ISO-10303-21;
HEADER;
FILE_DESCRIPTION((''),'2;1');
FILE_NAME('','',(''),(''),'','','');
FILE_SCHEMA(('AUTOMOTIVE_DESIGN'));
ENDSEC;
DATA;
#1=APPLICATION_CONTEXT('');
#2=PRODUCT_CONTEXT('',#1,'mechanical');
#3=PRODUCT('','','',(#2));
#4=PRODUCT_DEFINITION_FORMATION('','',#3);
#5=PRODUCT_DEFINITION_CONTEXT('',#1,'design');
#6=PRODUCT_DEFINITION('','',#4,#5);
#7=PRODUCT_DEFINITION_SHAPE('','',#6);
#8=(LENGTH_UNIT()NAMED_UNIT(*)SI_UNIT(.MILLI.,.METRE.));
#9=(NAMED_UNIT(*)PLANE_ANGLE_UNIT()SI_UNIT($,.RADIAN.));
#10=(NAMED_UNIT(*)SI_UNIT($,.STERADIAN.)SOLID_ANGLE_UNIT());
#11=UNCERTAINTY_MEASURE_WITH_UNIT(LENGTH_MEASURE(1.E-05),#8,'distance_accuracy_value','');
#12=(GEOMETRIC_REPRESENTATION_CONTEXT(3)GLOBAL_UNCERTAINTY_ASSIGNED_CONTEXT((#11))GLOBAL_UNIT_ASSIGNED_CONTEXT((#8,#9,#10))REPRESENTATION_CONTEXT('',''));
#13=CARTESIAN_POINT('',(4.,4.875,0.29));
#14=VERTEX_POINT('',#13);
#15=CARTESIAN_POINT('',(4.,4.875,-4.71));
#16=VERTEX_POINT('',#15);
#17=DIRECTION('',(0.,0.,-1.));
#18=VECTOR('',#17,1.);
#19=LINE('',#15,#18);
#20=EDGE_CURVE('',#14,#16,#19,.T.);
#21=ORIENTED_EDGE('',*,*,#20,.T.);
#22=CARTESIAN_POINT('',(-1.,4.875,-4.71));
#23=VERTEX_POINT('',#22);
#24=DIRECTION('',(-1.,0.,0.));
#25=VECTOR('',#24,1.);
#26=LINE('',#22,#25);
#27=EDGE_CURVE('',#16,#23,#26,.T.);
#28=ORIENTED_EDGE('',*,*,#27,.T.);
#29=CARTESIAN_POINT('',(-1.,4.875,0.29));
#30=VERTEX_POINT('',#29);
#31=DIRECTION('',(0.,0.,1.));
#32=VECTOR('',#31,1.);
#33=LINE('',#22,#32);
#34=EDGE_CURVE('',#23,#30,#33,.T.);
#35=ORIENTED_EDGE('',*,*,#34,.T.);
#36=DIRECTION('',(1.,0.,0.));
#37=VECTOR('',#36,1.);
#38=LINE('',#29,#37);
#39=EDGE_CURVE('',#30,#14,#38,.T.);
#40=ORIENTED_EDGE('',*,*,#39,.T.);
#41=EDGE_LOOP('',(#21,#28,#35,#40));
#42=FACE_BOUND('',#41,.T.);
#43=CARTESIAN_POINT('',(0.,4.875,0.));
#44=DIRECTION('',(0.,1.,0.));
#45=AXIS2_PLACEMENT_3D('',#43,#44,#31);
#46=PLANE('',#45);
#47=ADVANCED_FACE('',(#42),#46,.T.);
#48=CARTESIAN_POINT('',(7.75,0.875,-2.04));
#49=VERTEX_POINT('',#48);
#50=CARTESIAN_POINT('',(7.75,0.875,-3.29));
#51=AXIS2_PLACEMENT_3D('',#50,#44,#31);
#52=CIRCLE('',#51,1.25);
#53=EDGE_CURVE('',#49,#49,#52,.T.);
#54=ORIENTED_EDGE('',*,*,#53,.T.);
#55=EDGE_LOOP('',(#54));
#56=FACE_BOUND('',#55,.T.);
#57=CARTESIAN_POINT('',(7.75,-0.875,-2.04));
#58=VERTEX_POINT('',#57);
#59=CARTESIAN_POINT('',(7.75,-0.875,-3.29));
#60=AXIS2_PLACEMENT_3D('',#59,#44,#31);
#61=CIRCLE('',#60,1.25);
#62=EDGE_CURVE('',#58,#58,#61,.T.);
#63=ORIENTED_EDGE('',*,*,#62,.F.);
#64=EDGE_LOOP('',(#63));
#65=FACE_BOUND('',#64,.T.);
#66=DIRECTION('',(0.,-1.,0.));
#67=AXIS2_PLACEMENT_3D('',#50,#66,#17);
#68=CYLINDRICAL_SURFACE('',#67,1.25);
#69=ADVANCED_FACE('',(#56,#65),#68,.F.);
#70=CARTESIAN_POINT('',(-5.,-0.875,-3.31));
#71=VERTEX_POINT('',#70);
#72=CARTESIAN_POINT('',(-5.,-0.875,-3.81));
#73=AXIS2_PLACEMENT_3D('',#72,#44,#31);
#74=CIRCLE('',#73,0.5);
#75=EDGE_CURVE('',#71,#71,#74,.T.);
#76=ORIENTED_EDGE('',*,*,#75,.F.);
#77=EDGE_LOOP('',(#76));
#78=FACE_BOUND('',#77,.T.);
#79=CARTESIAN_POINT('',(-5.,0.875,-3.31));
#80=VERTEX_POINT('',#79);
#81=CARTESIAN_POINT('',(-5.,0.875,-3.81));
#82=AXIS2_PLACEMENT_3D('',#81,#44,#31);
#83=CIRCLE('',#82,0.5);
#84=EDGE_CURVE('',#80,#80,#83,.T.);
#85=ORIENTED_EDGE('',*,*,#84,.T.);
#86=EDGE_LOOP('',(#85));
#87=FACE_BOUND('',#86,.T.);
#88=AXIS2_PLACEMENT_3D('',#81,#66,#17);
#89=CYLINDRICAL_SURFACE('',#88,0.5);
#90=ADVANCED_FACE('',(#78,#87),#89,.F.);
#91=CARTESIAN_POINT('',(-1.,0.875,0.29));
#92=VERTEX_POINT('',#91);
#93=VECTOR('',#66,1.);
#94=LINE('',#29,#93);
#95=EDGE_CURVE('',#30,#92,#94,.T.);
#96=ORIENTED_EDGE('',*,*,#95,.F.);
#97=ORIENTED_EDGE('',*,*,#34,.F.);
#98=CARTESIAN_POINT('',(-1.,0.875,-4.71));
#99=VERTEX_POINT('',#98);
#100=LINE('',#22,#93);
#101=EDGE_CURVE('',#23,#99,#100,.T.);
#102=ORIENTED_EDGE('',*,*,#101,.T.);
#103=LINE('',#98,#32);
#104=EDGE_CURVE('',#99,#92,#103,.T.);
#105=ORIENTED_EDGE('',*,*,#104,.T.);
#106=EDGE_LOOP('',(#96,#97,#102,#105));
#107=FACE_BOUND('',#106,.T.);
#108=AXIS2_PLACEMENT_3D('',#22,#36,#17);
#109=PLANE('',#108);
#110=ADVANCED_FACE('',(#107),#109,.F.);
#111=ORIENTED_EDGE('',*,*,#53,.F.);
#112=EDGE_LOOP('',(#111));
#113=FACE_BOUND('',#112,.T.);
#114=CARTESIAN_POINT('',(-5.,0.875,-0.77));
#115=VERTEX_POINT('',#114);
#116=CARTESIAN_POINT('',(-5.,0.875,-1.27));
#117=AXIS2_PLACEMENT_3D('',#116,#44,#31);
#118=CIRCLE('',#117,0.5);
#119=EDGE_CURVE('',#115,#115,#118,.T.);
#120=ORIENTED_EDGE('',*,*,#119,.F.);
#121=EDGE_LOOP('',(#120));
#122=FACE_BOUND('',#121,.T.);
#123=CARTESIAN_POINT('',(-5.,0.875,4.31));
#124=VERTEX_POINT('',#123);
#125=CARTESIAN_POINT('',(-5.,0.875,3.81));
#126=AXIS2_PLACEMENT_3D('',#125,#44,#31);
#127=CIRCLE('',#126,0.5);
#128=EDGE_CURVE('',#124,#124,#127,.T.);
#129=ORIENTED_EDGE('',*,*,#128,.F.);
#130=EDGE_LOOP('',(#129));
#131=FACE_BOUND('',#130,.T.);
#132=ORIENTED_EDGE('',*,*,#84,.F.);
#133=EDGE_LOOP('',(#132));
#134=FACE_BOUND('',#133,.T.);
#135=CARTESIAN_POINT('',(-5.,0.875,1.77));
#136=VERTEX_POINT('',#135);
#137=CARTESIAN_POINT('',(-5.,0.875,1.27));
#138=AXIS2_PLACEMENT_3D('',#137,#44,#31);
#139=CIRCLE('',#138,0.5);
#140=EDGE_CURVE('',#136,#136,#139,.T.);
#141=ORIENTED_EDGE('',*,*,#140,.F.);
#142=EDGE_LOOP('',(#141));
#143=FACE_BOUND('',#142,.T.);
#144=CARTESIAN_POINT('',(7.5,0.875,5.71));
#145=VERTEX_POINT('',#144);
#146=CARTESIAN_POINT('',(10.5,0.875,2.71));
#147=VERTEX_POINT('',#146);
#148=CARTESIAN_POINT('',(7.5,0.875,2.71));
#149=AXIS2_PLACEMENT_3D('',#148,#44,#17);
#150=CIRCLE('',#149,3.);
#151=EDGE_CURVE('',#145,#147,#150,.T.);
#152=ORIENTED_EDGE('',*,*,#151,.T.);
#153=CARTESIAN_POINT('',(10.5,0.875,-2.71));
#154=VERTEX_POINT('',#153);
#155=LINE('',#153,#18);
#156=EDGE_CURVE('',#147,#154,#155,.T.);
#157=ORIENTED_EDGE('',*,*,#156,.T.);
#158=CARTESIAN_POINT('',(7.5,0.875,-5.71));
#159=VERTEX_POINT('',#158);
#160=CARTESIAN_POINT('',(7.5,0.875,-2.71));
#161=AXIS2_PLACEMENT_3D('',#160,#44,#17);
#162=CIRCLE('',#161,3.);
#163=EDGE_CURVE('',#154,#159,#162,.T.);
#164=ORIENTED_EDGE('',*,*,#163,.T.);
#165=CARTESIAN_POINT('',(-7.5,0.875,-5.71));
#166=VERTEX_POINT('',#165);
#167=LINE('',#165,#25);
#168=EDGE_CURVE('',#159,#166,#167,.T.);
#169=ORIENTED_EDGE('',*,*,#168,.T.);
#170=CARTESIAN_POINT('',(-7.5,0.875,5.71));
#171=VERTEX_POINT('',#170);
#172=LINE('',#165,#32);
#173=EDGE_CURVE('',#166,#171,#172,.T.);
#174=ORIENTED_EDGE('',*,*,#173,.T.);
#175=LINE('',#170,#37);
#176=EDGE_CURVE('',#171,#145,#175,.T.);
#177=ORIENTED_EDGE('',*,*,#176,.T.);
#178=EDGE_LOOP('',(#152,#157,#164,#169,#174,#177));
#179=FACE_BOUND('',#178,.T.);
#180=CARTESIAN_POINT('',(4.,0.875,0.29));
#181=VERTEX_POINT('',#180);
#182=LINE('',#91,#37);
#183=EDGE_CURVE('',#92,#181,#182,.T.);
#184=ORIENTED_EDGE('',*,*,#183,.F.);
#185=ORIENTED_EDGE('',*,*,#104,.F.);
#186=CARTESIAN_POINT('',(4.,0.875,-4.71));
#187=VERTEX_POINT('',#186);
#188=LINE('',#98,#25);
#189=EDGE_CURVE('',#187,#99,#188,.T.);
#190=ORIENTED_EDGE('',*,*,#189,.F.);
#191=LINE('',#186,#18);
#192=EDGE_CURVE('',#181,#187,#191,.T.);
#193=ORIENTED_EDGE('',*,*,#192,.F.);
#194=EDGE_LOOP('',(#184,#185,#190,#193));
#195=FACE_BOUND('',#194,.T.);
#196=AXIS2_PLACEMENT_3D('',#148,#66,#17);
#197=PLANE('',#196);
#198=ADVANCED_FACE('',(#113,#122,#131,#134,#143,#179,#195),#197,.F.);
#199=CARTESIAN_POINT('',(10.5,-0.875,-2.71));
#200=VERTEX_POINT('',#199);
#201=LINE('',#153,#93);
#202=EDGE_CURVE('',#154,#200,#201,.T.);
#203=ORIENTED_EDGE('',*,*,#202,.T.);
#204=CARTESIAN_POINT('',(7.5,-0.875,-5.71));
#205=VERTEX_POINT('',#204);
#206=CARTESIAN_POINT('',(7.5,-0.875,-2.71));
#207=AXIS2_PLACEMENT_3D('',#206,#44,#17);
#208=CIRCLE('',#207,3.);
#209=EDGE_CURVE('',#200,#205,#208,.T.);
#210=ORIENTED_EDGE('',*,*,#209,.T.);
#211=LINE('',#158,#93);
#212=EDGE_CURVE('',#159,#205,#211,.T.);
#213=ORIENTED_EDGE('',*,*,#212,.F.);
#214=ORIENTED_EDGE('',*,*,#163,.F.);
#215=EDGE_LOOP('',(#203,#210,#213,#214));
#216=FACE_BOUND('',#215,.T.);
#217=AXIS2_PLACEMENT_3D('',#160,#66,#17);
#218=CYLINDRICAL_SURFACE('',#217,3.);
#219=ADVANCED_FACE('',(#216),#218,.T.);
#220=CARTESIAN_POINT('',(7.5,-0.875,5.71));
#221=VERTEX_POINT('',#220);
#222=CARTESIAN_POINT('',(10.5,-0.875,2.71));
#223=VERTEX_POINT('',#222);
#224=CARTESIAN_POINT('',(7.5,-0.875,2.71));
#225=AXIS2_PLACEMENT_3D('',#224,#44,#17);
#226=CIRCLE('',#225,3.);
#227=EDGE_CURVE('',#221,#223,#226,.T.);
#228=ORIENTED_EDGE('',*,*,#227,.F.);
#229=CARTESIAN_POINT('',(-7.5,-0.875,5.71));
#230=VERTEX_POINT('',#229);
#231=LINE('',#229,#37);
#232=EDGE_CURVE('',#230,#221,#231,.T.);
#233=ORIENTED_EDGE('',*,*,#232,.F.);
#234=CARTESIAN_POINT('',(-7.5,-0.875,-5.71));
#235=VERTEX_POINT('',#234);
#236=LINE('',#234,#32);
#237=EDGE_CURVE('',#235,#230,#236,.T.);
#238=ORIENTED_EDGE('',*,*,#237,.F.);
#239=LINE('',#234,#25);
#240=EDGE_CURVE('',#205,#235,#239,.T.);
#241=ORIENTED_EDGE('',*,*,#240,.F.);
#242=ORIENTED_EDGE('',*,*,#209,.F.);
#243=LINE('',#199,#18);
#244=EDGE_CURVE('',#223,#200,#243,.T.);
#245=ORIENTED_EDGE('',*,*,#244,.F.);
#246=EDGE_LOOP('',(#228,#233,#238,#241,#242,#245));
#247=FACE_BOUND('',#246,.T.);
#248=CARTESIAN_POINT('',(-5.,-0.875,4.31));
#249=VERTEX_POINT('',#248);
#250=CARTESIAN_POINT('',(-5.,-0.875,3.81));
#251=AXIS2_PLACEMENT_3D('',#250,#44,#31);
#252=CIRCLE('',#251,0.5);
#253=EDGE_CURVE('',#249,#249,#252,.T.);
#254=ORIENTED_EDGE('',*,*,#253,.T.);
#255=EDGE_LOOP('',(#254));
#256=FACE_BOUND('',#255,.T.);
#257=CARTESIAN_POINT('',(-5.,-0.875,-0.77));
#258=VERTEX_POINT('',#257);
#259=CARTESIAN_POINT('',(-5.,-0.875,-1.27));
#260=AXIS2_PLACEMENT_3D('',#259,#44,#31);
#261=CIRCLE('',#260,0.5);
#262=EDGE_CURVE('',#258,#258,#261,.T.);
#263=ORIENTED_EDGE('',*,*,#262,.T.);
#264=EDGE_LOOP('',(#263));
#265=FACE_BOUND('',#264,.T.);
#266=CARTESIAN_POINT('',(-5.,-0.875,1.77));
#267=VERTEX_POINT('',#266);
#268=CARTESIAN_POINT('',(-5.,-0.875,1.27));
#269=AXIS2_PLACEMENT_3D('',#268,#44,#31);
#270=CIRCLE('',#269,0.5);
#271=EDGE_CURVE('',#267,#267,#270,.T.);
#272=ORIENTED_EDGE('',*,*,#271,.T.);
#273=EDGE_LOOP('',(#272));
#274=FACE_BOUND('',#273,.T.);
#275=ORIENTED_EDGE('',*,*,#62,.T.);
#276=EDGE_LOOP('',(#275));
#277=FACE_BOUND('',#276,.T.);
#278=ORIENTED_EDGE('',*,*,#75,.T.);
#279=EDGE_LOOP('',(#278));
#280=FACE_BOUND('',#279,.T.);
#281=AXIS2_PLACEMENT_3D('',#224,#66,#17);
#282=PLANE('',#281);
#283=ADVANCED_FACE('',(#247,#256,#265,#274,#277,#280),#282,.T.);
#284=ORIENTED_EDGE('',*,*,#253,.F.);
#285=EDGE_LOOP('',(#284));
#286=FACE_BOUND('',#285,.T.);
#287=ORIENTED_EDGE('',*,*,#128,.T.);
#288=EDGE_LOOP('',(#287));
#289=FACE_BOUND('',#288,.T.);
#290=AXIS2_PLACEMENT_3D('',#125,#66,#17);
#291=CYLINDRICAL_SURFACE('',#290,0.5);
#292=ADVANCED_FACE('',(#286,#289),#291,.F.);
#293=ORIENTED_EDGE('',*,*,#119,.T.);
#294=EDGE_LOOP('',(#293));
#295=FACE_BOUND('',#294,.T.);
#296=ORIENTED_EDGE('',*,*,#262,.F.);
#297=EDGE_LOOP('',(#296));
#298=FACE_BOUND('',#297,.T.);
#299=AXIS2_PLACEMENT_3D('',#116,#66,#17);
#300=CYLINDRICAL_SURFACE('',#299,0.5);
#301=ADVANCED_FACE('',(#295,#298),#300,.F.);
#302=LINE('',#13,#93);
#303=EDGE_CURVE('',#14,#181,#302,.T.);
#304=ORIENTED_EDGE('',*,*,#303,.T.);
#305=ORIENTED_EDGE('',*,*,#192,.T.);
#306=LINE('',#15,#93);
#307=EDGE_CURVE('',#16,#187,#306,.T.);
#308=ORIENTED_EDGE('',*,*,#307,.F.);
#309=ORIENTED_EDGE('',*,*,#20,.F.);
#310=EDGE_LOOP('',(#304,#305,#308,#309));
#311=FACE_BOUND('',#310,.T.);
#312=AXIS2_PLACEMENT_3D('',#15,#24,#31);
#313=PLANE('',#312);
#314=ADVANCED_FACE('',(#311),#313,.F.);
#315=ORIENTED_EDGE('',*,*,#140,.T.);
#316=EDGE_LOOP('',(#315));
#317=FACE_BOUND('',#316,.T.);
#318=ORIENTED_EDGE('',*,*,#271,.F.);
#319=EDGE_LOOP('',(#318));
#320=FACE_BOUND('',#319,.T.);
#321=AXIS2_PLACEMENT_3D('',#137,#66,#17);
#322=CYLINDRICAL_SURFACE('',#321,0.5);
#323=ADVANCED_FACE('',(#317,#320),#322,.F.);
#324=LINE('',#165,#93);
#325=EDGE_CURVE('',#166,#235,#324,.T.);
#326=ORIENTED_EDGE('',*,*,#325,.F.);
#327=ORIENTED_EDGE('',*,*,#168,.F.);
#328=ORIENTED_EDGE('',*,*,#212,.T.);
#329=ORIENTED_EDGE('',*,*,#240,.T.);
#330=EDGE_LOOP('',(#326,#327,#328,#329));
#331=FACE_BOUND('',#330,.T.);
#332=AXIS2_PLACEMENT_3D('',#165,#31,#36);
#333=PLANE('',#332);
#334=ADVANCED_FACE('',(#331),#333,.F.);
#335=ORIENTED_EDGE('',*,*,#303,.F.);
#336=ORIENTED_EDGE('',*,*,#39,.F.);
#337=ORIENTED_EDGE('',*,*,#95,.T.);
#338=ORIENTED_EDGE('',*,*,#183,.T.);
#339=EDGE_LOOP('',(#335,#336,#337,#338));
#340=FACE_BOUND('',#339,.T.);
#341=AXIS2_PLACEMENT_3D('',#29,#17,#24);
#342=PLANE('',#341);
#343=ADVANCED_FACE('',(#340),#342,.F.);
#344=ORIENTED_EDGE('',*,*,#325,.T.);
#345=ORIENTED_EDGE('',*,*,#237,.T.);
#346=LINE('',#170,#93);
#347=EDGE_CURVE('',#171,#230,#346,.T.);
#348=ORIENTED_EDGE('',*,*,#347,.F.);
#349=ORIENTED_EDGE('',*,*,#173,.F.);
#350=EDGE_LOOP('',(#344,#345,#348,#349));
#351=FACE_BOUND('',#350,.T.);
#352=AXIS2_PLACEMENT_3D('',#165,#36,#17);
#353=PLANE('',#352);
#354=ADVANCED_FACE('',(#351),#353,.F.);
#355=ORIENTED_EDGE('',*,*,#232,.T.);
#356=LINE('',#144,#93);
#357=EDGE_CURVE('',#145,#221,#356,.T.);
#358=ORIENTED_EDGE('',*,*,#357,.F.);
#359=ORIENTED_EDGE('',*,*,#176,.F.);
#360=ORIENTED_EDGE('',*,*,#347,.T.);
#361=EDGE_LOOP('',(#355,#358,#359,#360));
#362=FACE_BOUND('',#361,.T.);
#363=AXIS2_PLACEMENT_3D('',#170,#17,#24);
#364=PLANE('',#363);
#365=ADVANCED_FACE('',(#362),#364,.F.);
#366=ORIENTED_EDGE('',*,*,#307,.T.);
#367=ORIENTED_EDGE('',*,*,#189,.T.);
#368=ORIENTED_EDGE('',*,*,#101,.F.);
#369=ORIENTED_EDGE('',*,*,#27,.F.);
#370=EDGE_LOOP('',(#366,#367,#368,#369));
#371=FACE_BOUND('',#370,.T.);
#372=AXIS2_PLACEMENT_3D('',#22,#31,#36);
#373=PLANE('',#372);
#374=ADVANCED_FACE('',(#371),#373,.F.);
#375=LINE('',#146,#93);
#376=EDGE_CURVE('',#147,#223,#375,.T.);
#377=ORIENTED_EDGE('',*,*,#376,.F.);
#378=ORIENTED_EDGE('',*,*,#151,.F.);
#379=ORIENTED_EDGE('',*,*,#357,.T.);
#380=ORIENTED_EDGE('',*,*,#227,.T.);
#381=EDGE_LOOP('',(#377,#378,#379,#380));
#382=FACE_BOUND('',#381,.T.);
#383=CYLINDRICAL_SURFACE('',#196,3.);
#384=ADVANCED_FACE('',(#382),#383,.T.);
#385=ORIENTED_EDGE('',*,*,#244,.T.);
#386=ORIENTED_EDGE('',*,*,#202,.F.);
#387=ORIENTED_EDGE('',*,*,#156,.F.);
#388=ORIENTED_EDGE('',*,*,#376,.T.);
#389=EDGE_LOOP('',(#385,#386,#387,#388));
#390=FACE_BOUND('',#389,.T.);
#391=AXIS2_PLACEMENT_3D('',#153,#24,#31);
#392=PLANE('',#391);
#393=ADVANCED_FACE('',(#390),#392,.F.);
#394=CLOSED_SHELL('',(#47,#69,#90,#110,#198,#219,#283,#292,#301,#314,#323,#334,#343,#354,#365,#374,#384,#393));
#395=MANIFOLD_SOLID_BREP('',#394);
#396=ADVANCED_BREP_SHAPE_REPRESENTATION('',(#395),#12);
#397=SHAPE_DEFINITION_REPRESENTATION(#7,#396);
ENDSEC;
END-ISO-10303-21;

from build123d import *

# Parameters (mm, degrees)
SKETCH1_R           = 1.25
SKETCH1_R_2         = 0.5
BOSS_EXTRUDE1_DEPTH = 0.875
SKETCH2_W           = 5
SKETCH2_H           = 5
BOSS_EXTRUDE2_DEPTH = 4


with BuildPart() as part:
    # Sketch1 → Boss-Extrude1 (new, symmetric)
    with BuildSketch(Plane(origin=(0, 0, 0), x_dir=(1, 0, 0), z_dir=(0, 1, 0))):
        with BuildLine():
            Line((-7.5, 5.71), (7.5, 5.71))
            ThreePointArc((7.5, 5.71), (9.621320344, 4.831320344), (10.5, 2.71))
            Line((10.5, 2.71), (10.5, -2.71))
            ThreePointArc((10.5, -2.71), (9.621320344, -4.831320344), (7.5, -5.71))
            Line((7.5, -5.71), (-7.5, -5.71))
            Line((-7.5, -5.71), (-7.5, 5.71))
        make_face()
        with Locations(Location((7.75, 3.29, 0), (0, 0, 270))):
            Circle(SKETCH1_R, mode=Mode.SUBTRACT)
        with Locations(Location((-5, 3.81, 0), (0, 0, 270))):
            Circle(SKETCH1_R_2, mode=Mode.SUBTRACT)
        with Locations(Location((-5, 1.27, 0), (0, 0, 270))):
            Circle(SKETCH1_R_2, mode=Mode.SUBTRACT)
        with Locations(Location((-5, -1.27, 0), (0, 0, 270))):
            Circle(SKETCH1_R_2, mode=Mode.SUBTRACT)
        with Locations(Location((-5, -3.81, 0), (0, 0, 270))):
            Circle(SKETCH1_R_2, mode=Mode.SUBTRACT)
    extrude(amount=BOSS_EXTRUDE1_DEPTH, both=True)

    # Sketch2 → Boss-Extrude2 (add)
    with BuildSketch(Plane(origin=(0, 0.875, 0), x_dir=(1, 0, 0), z_dir=(0, 1, 0))):
        with Locations((1.5, 2.21)):
            Rectangle(SKETCH2_W, SKETCH2_H)
    extrude(amount=BOSS_EXTRUDE2_DEPTH)


solid = part.part
